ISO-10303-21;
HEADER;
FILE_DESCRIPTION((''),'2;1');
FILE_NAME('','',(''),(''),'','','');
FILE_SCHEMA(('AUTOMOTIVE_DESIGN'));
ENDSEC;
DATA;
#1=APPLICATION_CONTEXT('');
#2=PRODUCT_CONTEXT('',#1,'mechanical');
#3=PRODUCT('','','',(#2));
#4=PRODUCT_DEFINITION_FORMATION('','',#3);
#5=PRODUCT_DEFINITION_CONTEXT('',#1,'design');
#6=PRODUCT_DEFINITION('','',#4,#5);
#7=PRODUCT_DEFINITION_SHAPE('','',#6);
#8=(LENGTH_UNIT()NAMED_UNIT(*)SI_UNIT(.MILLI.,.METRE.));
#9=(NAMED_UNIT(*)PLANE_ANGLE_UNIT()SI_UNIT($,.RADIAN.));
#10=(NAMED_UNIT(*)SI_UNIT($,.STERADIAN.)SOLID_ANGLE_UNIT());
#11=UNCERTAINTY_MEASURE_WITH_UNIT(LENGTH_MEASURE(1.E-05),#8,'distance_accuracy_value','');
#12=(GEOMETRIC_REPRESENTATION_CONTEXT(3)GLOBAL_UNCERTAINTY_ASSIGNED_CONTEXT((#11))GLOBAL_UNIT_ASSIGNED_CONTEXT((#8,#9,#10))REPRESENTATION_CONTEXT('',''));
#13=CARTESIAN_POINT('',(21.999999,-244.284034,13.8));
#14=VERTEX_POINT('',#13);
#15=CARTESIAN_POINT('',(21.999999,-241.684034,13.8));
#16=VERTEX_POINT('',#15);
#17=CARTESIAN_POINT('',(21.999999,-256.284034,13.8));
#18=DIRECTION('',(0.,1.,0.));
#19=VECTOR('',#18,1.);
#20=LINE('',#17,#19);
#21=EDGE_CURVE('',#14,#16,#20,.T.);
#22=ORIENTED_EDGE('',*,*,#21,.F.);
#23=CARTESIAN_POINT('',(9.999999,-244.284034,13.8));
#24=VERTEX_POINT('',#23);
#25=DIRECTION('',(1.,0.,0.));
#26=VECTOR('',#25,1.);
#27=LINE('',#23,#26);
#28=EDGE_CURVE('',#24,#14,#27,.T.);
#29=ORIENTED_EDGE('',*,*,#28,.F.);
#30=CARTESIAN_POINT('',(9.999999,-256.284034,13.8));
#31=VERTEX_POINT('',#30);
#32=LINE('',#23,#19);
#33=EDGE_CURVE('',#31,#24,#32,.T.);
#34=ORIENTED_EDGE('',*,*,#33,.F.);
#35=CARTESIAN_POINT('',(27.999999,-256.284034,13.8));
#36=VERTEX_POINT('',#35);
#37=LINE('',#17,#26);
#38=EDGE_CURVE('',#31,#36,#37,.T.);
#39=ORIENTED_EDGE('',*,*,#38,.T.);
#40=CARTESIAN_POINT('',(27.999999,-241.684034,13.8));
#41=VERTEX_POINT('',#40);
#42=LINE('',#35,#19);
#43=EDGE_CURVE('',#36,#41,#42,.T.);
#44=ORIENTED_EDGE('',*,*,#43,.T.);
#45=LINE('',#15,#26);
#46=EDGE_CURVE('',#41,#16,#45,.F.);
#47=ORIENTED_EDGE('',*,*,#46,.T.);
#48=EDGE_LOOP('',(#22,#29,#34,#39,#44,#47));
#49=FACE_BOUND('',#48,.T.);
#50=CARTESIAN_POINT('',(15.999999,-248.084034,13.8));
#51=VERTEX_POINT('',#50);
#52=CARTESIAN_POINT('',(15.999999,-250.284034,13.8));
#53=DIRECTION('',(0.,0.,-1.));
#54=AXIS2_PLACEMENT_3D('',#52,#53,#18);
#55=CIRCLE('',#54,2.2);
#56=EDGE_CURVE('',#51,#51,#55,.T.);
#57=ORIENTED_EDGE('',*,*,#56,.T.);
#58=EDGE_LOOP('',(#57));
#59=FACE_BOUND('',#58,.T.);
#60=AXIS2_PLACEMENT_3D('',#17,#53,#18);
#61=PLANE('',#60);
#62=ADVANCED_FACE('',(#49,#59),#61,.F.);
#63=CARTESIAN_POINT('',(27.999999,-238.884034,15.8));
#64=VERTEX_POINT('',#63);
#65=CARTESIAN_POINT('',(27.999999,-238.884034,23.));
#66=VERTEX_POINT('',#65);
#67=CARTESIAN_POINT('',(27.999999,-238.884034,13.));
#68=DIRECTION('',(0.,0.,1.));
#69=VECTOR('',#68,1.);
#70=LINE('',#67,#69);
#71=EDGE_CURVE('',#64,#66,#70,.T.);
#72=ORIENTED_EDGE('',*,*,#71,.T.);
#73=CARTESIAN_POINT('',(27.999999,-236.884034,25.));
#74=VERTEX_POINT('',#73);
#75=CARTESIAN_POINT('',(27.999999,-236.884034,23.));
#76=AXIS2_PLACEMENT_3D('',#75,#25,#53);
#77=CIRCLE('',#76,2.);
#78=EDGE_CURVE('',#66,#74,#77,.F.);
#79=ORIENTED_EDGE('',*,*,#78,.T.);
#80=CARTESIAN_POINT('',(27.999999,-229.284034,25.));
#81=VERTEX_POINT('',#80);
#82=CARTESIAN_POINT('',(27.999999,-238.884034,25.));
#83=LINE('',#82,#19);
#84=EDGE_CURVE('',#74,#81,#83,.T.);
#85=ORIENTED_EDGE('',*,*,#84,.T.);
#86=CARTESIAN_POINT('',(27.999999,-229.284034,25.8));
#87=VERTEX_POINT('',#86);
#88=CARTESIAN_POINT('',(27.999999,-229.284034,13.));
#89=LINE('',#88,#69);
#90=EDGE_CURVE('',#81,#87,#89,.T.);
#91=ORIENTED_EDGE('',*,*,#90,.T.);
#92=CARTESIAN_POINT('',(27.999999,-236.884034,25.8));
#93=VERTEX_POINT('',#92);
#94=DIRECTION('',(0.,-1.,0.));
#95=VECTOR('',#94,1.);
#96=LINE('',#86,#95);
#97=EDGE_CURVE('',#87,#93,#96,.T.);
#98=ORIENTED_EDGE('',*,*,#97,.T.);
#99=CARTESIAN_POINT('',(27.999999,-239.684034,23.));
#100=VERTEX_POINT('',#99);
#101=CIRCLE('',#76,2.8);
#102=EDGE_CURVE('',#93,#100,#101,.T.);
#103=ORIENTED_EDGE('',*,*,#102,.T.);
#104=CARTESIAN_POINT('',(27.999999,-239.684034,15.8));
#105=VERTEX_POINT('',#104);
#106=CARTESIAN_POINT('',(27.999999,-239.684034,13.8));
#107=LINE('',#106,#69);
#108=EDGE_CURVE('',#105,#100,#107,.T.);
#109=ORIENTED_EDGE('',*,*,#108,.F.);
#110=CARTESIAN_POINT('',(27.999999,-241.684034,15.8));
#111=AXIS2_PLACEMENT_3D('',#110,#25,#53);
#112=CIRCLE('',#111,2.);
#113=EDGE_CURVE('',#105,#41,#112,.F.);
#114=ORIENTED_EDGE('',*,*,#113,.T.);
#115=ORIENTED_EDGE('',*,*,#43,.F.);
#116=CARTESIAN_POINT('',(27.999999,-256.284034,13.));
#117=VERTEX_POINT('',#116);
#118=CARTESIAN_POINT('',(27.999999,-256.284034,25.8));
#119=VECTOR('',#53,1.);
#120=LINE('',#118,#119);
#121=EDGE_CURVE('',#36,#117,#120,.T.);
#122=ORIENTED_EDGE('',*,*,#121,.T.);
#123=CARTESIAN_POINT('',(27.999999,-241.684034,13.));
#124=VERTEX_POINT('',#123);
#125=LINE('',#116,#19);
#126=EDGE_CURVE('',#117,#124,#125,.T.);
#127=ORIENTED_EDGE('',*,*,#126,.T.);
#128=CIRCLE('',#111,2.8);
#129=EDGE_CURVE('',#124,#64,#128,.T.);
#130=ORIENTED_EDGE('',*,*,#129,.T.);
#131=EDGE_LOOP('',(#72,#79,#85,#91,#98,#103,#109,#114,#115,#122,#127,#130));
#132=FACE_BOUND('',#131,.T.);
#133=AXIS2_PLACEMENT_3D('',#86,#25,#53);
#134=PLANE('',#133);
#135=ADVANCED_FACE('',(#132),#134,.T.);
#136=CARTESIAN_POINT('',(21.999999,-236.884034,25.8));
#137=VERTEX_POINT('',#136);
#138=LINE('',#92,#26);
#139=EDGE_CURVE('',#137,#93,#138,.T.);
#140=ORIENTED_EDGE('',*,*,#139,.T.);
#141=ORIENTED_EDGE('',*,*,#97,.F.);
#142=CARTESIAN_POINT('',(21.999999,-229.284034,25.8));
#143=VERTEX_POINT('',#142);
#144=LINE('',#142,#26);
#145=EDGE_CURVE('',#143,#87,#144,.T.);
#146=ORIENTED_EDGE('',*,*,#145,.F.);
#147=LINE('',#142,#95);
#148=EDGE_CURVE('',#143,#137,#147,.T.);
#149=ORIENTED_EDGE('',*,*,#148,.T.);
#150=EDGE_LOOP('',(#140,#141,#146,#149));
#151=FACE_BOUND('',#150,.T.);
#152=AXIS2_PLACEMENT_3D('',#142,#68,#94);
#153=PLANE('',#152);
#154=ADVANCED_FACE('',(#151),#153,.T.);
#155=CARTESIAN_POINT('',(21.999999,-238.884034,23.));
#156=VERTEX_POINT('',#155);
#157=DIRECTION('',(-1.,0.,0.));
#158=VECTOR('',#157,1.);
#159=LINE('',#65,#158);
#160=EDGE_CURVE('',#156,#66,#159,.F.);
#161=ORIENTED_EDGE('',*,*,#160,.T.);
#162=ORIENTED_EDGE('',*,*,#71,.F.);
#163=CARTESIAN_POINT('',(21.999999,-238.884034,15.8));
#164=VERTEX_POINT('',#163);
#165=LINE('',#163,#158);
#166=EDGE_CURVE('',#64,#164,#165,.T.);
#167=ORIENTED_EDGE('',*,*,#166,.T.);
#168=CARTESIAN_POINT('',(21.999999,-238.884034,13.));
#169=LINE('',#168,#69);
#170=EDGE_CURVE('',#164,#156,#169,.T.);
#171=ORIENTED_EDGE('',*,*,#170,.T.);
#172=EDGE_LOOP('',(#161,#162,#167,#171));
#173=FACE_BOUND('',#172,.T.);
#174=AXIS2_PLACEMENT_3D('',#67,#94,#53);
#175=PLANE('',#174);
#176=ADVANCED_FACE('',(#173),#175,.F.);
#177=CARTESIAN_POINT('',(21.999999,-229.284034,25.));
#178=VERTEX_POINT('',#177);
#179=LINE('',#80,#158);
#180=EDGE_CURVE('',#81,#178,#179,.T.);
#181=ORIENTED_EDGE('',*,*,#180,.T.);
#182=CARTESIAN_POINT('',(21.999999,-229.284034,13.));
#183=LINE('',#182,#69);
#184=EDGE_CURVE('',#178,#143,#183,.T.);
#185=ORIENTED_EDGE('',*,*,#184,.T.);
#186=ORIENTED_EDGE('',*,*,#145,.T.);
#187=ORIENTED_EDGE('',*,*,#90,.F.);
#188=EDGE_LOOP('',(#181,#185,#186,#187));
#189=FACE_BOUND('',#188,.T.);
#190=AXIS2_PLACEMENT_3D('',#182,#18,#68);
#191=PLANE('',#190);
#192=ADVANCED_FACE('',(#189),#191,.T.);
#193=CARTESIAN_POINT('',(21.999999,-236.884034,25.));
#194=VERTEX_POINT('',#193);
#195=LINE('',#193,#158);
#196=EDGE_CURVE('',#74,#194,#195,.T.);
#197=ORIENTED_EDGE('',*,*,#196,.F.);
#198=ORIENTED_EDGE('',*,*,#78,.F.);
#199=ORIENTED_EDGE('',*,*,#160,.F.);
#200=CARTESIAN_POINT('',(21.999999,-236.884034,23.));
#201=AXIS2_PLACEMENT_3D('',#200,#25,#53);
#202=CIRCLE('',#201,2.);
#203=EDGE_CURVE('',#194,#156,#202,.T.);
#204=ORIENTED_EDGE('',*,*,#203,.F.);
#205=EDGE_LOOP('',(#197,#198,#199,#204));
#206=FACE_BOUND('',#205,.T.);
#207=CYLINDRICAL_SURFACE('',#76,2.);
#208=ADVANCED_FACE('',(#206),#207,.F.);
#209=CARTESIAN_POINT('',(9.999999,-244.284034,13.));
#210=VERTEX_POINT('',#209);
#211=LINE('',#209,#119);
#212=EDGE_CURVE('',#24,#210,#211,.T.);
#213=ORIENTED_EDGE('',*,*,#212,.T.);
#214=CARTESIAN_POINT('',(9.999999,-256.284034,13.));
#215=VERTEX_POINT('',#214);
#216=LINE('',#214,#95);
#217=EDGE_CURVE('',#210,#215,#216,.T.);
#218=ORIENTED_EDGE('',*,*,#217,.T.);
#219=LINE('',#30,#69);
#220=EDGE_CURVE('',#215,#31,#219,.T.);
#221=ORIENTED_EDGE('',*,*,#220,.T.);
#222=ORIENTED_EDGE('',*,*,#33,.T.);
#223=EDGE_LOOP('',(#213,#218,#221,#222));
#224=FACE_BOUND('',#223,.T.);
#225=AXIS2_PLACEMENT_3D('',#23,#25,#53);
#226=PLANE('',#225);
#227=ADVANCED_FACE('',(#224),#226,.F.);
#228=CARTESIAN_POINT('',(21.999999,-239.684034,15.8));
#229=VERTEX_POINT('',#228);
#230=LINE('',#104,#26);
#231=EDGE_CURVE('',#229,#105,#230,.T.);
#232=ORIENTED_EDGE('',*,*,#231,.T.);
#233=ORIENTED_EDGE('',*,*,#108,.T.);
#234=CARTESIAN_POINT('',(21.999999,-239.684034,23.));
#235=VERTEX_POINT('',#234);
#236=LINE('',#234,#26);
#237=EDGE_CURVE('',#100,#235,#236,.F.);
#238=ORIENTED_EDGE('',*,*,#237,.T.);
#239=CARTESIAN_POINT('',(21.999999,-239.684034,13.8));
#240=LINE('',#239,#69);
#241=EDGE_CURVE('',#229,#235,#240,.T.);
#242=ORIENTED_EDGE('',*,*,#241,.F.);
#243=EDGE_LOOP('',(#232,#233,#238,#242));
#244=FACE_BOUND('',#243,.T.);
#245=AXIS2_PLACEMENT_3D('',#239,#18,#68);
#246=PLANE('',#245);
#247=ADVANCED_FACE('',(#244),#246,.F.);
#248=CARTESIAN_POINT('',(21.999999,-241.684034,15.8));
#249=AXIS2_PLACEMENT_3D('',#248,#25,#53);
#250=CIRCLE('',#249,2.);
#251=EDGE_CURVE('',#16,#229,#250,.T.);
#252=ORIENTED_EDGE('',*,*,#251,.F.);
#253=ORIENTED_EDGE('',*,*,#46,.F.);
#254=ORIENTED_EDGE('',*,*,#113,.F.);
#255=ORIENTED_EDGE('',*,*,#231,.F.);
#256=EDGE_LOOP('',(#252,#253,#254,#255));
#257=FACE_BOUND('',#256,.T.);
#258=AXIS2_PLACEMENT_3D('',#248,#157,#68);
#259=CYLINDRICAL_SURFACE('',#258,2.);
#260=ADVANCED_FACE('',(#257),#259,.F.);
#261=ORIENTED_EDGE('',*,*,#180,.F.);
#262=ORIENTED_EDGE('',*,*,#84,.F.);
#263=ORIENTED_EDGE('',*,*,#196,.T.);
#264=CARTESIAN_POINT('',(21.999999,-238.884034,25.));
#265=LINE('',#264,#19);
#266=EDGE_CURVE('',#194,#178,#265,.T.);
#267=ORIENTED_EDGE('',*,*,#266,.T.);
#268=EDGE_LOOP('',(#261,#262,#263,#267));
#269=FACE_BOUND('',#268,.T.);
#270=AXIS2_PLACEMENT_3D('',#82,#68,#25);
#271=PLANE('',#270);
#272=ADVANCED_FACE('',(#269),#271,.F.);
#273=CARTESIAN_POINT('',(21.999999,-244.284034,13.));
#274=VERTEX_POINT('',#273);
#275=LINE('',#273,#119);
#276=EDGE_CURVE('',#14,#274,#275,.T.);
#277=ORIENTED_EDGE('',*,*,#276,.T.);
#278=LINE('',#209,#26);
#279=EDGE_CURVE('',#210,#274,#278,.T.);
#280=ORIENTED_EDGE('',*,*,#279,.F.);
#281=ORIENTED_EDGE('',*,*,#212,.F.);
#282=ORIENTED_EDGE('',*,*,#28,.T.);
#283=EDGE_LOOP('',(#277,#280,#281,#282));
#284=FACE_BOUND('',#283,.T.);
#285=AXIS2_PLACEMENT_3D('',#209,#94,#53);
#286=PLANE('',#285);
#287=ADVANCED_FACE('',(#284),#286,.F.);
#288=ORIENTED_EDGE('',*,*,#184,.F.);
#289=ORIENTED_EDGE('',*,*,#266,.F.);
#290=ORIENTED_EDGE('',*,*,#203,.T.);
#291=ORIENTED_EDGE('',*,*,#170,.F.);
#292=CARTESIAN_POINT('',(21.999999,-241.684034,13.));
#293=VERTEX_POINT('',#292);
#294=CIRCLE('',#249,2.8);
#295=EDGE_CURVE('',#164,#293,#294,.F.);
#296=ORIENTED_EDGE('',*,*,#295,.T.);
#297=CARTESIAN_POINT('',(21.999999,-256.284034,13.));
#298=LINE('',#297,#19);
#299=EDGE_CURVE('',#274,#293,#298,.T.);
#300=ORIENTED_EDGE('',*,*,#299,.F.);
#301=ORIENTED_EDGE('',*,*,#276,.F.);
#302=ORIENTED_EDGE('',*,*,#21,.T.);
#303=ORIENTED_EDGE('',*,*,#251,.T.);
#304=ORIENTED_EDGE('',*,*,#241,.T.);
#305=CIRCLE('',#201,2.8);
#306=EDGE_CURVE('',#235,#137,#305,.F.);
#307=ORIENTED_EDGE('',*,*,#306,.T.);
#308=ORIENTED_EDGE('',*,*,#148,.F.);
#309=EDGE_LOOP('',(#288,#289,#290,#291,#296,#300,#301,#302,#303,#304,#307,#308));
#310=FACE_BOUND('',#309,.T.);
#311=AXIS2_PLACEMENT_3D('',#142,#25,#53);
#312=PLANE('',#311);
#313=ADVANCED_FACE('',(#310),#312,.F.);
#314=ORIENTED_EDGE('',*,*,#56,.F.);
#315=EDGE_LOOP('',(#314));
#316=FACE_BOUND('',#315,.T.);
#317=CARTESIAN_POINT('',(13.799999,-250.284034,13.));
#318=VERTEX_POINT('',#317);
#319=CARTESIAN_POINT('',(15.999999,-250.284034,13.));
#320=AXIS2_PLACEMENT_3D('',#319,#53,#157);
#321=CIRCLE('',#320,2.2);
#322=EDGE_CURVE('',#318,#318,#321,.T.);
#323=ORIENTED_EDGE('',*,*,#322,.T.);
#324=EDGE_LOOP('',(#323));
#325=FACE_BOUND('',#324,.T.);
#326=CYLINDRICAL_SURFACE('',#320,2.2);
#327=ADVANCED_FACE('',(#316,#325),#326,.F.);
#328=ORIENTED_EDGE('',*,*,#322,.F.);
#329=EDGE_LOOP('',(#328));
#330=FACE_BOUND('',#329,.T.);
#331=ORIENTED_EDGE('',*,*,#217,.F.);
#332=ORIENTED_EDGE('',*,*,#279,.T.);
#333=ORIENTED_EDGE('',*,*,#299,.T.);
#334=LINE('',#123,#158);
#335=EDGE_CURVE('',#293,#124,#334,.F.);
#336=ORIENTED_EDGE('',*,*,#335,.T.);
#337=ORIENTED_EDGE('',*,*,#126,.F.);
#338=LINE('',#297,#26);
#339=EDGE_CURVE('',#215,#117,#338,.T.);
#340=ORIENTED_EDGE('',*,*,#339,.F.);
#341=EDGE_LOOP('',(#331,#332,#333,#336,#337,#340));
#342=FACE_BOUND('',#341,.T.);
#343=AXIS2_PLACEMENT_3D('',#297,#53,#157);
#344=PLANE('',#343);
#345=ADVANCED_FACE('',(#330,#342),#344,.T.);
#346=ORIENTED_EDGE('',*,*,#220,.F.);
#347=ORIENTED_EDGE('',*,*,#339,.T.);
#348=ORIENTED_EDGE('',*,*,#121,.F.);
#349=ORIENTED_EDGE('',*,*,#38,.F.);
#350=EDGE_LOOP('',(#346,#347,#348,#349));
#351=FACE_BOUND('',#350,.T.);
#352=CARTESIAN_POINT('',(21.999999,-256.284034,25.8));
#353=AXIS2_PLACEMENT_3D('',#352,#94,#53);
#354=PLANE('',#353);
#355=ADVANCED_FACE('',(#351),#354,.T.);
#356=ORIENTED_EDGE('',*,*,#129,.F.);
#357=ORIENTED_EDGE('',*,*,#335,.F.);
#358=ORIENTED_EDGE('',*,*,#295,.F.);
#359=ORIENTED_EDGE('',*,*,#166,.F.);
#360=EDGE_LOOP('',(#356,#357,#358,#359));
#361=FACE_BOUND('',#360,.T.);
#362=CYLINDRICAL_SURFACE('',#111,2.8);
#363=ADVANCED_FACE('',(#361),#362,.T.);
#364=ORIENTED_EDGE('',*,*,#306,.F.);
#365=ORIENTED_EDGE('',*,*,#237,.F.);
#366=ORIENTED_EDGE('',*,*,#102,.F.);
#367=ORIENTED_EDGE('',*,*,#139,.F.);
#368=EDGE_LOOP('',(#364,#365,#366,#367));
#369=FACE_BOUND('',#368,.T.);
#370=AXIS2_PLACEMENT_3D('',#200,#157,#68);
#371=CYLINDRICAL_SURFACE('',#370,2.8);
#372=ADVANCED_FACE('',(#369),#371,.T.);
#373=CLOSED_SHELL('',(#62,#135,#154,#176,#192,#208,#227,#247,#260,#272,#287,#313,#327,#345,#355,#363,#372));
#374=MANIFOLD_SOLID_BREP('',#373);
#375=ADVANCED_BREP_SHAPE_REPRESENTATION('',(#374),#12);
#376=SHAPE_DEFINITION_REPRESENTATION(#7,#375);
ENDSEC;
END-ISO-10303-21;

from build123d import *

# Parameters (mm, degrees)
SKETCH1_W           = 12.8
SKETCH1_H           = 27
BOSS_EXTRUDE1_DEPTH = 6
SKETCH2_W           = 12
SKETCH2_H           = 16.6
CUT_EXTRUDE1_DEPTH  = 258.649269937
SKETCH3_W           = 0.8
SKETCH3_H           = 12
BOSS_EXTRUDE2_DEPTH = 12
SKETCH4_W           = 12
SKETCH4_H           = 9.6
CUT_EXTRUDE2_DEPTH  = 258.858772003
HOLE1_D             = 4.4
HOLE1_DEPTH         = 12.8
FILLET1_R           = 2
FILLET2_R           = 2
FILLET3_R           = 2.8
FILLET4_R           = 2.8


with BuildPart() as part:
    # Sketch1 → Boss-Extrude1 (new body)
    with BuildSketch(Plane(origin=(27.999999016, 0, 0), x_dir=(0, 0, -1), z_dir=(1, 0, 0))):
        with Locations((-19.400000091, -242.784034412)):
            Rectangle(SKETCH1_W, SKETCH1_H)
    extrude(amount=-BOSS_EXTRUDE1_DEPTH)

    # Sketch2 → Cut-Extrude1 (cut, through all)
    with BuildSketch(Plane(origin=(27.999999016, 0, 0), x_dir=(0, 0, -1), z_dir=(1, 0, 0))):
        with Locations((-19.800000091, -247.984034412)):
            Rectangle(SKETCH2_W, SKETCH2_H)
    extrude(amount=-CUT_EXTRUDE1_DEPTH, mode=Mode.SUBTRACT)

    # Sketch3 → Boss-Extrude2 (add)
    with BuildSketch(Plane.ZY.offset(-21.999999016)):
        with Locations((13.400000091, -250.284034412)):
            Rectangle(SKETCH3_W, SKETCH3_H)
    extrude(amount=BOSS_EXTRUDE2_DEPTH)

    # Sketch4 → Cut-Extrude2 (cut, through all)
    with BuildSketch(Plane.ZY.offset(-21.999999016)):
        with Locations((19.000000091, -234.084034412)):
            Rectangle(SKETCH4_W, SKETCH4_H)
    extrude(amount=-CUT_EXTRUDE2_DEPTH, mode=Mode.SUBTRACT)

    # Hole1
    with Locations(Plane(origin=(0, 0, 13.000000091), x_dir=(-1, 0, 0), z_dir=(0, 0, -1))):
        with Locations((-15.999999016, -250.284034412)):
            Hole(HOLE1_D / 2, depth=HOLE1_DEPTH)

    # Fillet1
    fillet1_edges = [part.edges().sort_by_distance(p)[0] for p in [
        (24.999999016, -239.684034412, 13.800000091),
    ]]
    fillet(fillet1_edges, radius=FILLET1_R)

    # Fillet2
    fillet2_edges = [part.edges().sort_by_distance(p)[0] for p in [
        (24.999999016, -238.884034412, 25.000000091),
    ]]
    fillet(fillet2_edges, radius=FILLET2_R)

    # Fillet3
    fillet3_edges = [part.edges().sort_by_distance(p)[0] for p in [
        (24.999999016, -239.684034412, 25.800000091),
    ]]
    fillet(fillet3_edges, radius=FILLET3_R)

    # Fillet4
    fillet4_edges = [part.edges().sort_by_distance(p)[0] for p in [
        (24.999999016, -238.884034412, 13.000000091),
    ]]
    fillet(fillet4_edges, radius=FILLET4_R)


solid = part.part
